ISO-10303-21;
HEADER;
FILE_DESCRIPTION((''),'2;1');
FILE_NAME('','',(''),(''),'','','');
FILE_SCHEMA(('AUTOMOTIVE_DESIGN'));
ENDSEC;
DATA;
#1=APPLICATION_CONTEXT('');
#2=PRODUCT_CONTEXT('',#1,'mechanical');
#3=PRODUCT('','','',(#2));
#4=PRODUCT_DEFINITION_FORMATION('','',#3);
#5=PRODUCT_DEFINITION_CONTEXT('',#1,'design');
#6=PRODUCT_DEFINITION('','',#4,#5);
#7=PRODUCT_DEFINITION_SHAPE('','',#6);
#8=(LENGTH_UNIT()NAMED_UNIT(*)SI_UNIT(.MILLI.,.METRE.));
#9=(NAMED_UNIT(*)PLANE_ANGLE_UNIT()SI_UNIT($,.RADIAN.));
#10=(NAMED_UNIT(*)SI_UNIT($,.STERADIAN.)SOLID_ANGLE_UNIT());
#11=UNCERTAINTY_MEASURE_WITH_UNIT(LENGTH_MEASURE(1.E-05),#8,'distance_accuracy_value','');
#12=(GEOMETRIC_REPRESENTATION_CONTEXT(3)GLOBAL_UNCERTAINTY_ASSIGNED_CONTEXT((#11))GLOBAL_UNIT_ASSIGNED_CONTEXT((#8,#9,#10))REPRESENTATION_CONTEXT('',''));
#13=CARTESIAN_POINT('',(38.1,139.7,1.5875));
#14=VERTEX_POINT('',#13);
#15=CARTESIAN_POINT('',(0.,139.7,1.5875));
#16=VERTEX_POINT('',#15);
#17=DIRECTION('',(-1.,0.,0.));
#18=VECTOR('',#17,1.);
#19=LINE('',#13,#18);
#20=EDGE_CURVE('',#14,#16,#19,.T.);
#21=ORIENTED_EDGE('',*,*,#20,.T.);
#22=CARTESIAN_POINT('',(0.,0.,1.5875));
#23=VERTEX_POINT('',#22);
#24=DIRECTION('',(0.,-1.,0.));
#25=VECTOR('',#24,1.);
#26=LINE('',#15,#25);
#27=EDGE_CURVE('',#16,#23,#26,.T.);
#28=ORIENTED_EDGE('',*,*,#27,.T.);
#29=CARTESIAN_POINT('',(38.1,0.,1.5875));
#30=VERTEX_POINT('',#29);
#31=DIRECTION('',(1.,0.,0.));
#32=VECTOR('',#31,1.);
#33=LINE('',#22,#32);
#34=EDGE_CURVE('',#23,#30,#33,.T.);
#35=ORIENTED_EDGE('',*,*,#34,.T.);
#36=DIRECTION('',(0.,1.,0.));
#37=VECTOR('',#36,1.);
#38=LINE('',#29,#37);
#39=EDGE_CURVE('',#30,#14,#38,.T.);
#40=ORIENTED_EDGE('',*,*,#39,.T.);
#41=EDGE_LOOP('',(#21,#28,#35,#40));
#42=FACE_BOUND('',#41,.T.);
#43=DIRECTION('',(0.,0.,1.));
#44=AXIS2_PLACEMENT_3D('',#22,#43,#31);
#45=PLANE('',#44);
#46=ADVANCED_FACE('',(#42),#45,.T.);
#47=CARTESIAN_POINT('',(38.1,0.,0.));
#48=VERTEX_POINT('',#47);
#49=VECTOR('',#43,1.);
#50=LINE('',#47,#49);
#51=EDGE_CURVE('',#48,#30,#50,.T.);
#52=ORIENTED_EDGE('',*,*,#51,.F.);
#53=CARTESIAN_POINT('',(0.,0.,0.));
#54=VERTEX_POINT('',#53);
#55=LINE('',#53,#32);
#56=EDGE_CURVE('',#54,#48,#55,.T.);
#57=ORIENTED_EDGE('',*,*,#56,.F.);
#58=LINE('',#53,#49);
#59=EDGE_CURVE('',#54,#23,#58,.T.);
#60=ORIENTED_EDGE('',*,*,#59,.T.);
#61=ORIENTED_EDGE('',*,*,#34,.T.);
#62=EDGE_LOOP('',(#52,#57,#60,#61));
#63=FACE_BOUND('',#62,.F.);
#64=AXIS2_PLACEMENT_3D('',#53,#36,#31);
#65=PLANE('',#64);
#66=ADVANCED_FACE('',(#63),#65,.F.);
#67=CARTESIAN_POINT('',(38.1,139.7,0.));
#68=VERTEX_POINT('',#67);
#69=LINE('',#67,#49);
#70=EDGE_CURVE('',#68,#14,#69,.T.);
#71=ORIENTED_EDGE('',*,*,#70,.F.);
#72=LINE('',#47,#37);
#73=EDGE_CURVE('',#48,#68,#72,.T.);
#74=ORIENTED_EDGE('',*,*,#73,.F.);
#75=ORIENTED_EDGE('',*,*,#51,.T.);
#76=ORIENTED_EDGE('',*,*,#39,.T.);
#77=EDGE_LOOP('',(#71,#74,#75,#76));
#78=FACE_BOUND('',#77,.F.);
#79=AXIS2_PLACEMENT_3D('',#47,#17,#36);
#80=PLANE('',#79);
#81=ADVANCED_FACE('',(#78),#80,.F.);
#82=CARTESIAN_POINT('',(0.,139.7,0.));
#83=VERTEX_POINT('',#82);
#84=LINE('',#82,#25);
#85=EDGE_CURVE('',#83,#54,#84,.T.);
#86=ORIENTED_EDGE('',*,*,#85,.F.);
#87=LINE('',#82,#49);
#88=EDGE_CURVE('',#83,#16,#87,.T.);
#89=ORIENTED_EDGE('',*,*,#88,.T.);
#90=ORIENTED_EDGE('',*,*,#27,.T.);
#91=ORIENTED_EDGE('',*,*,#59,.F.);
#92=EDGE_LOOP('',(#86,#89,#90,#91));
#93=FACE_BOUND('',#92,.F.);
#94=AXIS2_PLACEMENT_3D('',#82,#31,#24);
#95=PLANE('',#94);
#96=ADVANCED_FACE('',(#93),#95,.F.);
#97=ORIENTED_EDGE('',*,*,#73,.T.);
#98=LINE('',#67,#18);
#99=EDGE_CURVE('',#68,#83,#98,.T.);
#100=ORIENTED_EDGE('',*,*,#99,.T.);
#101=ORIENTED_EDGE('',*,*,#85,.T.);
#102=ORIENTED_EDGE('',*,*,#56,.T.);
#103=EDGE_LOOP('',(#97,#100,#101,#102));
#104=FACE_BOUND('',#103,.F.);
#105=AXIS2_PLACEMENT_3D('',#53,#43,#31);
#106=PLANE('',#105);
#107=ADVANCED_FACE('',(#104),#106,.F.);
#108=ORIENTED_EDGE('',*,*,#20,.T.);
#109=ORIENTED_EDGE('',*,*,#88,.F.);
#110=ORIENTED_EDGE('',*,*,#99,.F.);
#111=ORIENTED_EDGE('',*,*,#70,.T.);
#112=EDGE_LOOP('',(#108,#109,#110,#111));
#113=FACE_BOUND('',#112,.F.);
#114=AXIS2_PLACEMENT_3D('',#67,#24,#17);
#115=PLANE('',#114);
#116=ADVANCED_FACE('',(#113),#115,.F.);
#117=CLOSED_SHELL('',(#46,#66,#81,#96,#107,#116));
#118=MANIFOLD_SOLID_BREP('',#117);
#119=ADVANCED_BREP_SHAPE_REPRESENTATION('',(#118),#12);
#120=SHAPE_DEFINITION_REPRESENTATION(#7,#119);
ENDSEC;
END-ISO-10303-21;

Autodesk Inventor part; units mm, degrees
ref_plane "YZ Plane" through (0, 0, 0) normal (1, 0, 0) x (0, 1, 0)
ref_plane "XZ Plane" through (0, 0, 0) normal (0, 1, 0) x (-1, 0, 0)
ref_plane "XY Plane" through (0, 0, 0) normal (0, 0, 1) x (1, 0, 0)
sketch "Sketch1" plane through (0, 0, 0) normal (0, 0, 1) x (1, 0, 0)
  line L0 (0, 0) -> (38.1, 0)
  line L1 (38.1, 0) -> (38.1, 139.7)
  line L2 (38.1, 139.7) -> (0, 139.7)
  line L3 (0, 139.7) -> (0, 0)
  dimension "d1" = 139.7
  dimension "d2" = 38.1
extrude "Extrusion1" add sketch "Sketch1" along normal blind 1.5875
properties part number "Rectangle_Of_Underlayment_For_Joist" material "Rubber"
